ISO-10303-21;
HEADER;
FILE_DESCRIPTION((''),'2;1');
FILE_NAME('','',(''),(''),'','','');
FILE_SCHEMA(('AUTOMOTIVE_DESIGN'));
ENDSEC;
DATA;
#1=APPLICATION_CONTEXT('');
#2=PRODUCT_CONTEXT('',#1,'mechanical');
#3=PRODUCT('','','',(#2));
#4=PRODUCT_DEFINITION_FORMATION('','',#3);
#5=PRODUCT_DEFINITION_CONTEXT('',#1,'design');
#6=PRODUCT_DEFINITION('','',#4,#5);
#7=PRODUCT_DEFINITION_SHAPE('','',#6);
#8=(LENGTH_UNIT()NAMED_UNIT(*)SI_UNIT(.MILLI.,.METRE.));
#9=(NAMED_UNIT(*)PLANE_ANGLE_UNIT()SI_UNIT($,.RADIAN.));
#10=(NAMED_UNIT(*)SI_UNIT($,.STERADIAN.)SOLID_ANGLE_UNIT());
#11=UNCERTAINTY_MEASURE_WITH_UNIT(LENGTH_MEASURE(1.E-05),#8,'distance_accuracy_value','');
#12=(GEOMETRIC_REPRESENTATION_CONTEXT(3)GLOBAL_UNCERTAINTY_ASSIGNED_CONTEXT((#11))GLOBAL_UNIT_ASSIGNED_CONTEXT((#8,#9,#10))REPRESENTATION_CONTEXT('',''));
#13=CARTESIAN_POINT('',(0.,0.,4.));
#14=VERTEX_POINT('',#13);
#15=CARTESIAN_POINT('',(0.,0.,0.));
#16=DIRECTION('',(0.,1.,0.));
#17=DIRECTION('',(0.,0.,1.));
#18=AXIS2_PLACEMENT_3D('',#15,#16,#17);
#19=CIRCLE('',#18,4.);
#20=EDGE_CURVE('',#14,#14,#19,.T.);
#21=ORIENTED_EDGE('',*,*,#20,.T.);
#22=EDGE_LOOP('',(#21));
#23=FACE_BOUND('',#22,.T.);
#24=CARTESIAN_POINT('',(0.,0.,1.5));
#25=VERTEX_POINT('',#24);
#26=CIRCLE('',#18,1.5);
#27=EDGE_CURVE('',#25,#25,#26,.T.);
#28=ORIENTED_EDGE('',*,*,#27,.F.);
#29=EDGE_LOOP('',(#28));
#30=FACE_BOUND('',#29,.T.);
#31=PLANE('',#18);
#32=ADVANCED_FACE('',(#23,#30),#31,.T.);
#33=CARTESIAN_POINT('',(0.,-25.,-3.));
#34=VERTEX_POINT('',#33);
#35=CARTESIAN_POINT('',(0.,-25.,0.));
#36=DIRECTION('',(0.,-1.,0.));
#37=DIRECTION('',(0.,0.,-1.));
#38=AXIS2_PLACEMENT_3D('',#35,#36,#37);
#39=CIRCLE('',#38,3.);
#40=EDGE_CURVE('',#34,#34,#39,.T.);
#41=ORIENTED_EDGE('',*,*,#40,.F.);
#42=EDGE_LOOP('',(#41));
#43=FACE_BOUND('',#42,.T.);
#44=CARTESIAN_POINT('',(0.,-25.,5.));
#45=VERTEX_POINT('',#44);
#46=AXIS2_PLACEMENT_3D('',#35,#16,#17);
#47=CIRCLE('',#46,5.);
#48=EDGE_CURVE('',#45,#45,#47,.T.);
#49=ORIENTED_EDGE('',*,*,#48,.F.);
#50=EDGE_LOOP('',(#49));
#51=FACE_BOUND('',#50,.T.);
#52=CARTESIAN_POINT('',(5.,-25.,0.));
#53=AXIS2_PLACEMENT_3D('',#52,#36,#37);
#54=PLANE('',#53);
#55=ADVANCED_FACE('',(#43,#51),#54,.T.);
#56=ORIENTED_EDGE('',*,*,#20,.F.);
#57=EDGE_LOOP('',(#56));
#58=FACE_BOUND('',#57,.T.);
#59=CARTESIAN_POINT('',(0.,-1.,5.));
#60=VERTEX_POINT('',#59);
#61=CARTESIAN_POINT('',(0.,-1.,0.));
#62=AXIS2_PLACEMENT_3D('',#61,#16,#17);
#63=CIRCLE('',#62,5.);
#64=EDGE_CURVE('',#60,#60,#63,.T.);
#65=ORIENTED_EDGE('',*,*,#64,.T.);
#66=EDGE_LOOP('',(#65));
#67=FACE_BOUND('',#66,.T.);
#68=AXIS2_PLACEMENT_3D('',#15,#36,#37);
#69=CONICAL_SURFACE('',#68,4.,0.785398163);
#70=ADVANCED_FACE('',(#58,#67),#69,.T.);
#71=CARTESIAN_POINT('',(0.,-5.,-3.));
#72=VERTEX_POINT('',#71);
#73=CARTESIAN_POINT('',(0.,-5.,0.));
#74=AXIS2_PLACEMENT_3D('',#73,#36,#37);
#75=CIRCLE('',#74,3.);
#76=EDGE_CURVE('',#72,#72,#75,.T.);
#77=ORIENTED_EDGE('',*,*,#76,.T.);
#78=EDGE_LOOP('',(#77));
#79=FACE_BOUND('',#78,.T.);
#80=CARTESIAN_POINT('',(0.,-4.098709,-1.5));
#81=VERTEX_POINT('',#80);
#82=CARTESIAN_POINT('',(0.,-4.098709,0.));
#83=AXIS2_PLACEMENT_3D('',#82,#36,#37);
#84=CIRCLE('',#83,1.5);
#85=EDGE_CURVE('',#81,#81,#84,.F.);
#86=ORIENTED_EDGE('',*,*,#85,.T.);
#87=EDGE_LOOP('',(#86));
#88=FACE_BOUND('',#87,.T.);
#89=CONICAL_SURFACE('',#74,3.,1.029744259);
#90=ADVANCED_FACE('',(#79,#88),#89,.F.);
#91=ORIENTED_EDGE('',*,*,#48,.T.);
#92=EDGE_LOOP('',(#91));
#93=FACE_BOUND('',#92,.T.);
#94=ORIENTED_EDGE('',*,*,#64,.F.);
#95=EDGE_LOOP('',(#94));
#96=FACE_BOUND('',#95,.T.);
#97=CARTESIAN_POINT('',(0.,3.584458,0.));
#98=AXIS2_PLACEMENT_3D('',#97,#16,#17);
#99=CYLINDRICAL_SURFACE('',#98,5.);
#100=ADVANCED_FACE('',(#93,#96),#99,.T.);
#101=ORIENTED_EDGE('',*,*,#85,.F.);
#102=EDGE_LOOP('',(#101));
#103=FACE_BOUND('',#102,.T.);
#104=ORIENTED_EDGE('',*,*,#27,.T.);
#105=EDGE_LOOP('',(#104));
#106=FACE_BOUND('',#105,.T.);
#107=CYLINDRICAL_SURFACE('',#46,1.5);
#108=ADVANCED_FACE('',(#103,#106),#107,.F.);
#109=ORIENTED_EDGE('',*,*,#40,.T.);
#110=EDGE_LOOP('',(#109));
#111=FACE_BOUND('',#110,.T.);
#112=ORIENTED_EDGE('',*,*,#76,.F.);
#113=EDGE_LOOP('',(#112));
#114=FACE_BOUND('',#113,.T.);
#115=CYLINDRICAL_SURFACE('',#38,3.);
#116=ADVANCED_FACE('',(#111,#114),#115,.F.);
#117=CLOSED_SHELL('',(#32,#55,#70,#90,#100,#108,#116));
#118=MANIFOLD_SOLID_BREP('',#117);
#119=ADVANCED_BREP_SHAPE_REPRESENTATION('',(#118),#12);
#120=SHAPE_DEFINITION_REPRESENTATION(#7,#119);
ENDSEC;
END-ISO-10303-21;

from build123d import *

# Parameters (mm, degrees)
F_6_0_6_DIAMETER_HOLE1_D     = 6
F_6_0_6_DIAMETER_HOLE1_DEPTH = 20
F_6_0_6_DIAMETER_HOLE1_TIP   = 1.802581857
SKETCH6_R                    = 1.5
CUT_EXTRUDE1_DEPTH           = 26


with BuildPart() as part:
    # Sketch2 → Revolve1 (revolve)
    with BuildSketch(Plane.XY):
        Polygon((0, 0), (4, 0), (5, -1), (5, -25), (0, -25), align=None)
    revolve(axis=Axis((0, 3.584458393, 0), (0, -1, 0)))

    # Ø6.0 (6) Diameter Hole1
    with Locations(Plane(origin=(0, -25, 0), x_dir=(-1, 0, 0), z_dir=(0, -1, 0))):
        with Locations((0, 0)):
            Hole(F_6_0_6_DIAMETER_HOLE1_D / 2, depth=F_6_0_6_DIAMETER_HOLE1_DEPTH)
            with Locations((0, 0, -(F_6_0_6_DIAMETER_HOLE1_DEPTH + F_6_0_6_DIAMETER_HOLE1_TIP / 2))):  # 118° drill point
                Cone(0, F_6_0_6_DIAMETER_HOLE1_D / 2, F_6_0_6_DIAMETER_HOLE1_TIP, mode=Mode.SUBTRACT)

    # Sketch6 → Cut-Extrude1 (cut, through all)
    with BuildSketch(Plane(origin=(0, 0, 0), x_dir=(1, 0, 0), z_dir=(0, 1, 0))):
        Circle(SKETCH6_R)
    extrude(amount=-CUT_EXTRUDE1_DEPTH, mode=Mode.SUBTRACT)


solid = part.part
